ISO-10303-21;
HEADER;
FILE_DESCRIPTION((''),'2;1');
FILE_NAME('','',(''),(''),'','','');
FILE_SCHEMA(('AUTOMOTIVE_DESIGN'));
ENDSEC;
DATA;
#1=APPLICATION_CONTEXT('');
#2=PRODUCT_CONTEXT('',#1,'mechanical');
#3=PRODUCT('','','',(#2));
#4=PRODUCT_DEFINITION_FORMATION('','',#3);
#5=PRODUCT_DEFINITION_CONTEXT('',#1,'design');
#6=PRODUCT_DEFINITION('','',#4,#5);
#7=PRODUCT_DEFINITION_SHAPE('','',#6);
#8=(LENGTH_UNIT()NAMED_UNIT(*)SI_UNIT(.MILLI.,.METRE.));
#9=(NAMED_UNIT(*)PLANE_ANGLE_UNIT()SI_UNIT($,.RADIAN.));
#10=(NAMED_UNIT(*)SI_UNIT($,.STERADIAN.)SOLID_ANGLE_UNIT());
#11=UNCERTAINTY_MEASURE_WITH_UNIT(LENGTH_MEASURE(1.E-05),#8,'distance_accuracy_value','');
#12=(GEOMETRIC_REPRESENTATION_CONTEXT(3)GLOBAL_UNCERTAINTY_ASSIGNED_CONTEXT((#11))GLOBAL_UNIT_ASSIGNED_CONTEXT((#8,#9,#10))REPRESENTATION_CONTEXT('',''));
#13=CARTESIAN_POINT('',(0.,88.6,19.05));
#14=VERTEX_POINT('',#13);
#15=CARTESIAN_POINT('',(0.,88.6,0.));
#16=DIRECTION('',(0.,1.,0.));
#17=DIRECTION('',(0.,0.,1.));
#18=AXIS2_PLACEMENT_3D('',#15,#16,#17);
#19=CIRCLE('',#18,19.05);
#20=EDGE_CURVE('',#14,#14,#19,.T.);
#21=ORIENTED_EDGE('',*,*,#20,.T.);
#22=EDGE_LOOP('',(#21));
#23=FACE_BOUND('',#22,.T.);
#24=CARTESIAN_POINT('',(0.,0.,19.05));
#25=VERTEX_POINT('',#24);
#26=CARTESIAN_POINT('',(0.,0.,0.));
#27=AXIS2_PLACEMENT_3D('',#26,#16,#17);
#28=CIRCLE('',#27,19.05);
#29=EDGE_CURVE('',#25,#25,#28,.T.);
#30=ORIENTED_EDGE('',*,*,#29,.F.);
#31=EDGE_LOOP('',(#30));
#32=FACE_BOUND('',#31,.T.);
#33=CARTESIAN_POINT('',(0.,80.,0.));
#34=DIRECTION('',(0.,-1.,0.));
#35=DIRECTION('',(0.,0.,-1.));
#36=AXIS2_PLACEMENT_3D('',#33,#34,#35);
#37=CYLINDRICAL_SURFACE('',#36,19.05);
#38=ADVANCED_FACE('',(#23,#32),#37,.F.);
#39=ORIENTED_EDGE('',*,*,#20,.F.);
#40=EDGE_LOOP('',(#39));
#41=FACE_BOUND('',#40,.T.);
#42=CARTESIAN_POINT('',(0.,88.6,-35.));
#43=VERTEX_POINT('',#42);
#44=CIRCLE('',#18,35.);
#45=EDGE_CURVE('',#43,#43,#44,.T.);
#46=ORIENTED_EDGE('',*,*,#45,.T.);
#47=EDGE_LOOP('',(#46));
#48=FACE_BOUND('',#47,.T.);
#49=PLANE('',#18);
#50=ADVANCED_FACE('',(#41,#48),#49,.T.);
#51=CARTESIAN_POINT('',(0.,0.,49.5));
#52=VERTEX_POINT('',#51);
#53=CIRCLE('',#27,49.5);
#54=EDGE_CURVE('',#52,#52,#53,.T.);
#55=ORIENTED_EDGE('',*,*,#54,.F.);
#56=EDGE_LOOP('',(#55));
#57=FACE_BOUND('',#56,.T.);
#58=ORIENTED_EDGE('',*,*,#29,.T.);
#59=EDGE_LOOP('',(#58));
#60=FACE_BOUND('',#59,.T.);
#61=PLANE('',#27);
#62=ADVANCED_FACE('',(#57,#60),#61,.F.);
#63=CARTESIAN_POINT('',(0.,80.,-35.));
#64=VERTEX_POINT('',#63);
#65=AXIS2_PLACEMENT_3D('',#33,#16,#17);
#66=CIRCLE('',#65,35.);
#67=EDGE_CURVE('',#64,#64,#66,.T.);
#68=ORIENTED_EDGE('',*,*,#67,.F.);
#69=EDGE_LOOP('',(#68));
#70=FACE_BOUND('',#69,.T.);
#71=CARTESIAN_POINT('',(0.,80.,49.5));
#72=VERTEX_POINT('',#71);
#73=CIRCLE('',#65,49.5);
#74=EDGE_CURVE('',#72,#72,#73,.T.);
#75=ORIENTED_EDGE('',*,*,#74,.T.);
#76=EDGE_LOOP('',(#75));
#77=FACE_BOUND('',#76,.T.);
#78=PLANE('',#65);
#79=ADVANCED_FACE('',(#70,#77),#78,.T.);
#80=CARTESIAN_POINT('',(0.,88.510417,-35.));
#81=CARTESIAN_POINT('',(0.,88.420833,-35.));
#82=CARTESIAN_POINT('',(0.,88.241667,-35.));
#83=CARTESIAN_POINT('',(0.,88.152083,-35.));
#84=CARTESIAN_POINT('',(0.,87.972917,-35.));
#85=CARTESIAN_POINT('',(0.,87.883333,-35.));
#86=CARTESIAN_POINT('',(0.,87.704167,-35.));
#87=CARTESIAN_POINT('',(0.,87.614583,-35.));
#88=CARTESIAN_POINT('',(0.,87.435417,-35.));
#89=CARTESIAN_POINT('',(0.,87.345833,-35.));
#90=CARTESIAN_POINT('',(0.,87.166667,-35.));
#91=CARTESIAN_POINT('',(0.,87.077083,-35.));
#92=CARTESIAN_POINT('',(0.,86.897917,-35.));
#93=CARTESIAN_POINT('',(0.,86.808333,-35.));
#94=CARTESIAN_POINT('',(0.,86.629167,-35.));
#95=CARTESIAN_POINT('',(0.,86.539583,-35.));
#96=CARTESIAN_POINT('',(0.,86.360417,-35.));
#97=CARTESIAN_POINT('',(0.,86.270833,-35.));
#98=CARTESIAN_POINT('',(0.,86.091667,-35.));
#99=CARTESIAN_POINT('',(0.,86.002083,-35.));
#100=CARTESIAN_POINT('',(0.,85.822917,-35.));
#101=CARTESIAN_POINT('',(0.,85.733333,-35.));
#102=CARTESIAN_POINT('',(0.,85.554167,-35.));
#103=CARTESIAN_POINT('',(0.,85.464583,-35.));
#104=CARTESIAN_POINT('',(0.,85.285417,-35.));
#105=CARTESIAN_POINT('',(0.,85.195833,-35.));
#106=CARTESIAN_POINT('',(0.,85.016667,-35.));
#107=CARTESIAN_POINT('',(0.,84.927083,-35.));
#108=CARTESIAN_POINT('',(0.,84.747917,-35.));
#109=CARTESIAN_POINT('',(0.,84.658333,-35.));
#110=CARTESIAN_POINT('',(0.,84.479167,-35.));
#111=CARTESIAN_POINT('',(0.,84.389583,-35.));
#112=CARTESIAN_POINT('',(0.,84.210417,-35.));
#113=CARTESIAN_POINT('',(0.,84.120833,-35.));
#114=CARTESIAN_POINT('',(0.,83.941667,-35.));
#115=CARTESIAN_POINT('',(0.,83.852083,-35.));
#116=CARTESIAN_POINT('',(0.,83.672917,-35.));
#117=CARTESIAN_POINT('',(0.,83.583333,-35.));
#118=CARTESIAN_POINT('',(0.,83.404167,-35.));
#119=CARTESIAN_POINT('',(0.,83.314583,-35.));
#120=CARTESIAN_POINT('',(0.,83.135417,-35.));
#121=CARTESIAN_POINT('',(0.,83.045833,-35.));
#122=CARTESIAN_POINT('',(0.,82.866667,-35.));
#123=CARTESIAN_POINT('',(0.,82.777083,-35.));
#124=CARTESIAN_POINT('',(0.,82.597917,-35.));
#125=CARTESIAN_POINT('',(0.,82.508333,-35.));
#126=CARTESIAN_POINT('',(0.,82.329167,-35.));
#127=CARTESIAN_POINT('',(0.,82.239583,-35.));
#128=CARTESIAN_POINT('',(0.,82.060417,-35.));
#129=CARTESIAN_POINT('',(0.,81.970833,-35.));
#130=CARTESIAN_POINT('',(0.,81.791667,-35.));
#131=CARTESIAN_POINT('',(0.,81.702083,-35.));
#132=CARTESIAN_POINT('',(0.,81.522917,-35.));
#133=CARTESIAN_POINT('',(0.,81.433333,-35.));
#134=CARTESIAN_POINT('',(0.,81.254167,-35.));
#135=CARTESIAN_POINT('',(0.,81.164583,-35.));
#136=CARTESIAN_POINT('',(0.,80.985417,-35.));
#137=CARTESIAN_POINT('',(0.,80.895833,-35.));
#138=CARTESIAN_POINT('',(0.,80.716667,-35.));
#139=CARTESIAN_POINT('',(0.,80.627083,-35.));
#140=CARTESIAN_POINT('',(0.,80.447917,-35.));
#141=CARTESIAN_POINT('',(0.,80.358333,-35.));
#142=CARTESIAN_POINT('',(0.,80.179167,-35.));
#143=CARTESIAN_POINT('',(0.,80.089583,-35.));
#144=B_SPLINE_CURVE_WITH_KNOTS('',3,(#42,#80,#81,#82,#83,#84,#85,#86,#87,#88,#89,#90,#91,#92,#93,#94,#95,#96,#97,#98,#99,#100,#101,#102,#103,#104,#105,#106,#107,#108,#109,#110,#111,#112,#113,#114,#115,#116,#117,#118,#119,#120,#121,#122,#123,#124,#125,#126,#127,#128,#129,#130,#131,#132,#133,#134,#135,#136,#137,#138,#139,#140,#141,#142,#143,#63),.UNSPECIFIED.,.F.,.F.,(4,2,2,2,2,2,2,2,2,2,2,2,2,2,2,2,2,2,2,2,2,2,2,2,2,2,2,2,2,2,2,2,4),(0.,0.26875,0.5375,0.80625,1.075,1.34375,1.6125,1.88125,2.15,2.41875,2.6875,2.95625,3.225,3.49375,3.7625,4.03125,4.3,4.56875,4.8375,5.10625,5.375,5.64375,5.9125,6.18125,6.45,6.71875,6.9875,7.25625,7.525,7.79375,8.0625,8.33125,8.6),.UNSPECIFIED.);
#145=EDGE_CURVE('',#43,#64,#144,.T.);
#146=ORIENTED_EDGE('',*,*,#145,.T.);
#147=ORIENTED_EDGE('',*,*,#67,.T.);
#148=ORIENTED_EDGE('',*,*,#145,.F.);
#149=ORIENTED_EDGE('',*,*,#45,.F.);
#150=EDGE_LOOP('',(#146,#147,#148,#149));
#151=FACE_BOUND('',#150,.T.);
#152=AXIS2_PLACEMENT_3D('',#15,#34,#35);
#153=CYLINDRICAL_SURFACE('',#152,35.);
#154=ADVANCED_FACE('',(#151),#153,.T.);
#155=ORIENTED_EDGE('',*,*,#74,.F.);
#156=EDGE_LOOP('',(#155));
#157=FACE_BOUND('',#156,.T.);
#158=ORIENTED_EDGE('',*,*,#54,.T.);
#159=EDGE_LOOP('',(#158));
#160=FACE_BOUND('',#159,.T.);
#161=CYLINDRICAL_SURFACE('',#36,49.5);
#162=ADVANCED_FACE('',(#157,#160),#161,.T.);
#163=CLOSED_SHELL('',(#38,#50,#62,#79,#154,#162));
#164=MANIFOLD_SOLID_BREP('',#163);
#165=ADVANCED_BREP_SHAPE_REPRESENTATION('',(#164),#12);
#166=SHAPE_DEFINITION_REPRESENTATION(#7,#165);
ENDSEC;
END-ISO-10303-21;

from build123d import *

# Parameters (mm, degrees)
SKETCH_1_R      = 49.5
SKETCH_1_R_2    = 19.05
EXTRUDE_1_DEPTH = 80
SKETCH_2_R      = 35
SKETCH_2_R_2    = 19.05
EXTRUDE_2_DEPTH = 8.6


with BuildPart() as part:
    # 草图1 → 凸台-拉伸1 (new body)
    with BuildSketch(Plane(origin=(0, 0, 0), x_dir=(1, 0, 0), z_dir=(0, 1, 0))):
        with Locations(Location((0, 0, 0), (0, 0, 270))):
            Circle(SKETCH_1_R)
        with Locations(Location((0, 0, 0), (0, 0, 270))):
            Circle(SKETCH_1_R_2, mode=Mode.SUBTRACT)
    extrude(amount=EXTRUDE_1_DEPTH)

    # 草图2 → 凸台-拉伸2 (add)
    with BuildSketch(Plane(origin=(0, 80, 0), x_dir=(1, 0, 0), z_dir=(0, 1, 0))):
        with Locations(Location((0, 0, 0), (0, 0, 90))):
            Circle(SKETCH_2_R)
        with Locations(Location((0, 0, 0), (0, 0, 270))):
            Circle(SKETCH_2_R_2, mode=Mode.SUBTRACT)
    extrude(amount=EXTRUDE_2_DEPTH)


solid = part.part
